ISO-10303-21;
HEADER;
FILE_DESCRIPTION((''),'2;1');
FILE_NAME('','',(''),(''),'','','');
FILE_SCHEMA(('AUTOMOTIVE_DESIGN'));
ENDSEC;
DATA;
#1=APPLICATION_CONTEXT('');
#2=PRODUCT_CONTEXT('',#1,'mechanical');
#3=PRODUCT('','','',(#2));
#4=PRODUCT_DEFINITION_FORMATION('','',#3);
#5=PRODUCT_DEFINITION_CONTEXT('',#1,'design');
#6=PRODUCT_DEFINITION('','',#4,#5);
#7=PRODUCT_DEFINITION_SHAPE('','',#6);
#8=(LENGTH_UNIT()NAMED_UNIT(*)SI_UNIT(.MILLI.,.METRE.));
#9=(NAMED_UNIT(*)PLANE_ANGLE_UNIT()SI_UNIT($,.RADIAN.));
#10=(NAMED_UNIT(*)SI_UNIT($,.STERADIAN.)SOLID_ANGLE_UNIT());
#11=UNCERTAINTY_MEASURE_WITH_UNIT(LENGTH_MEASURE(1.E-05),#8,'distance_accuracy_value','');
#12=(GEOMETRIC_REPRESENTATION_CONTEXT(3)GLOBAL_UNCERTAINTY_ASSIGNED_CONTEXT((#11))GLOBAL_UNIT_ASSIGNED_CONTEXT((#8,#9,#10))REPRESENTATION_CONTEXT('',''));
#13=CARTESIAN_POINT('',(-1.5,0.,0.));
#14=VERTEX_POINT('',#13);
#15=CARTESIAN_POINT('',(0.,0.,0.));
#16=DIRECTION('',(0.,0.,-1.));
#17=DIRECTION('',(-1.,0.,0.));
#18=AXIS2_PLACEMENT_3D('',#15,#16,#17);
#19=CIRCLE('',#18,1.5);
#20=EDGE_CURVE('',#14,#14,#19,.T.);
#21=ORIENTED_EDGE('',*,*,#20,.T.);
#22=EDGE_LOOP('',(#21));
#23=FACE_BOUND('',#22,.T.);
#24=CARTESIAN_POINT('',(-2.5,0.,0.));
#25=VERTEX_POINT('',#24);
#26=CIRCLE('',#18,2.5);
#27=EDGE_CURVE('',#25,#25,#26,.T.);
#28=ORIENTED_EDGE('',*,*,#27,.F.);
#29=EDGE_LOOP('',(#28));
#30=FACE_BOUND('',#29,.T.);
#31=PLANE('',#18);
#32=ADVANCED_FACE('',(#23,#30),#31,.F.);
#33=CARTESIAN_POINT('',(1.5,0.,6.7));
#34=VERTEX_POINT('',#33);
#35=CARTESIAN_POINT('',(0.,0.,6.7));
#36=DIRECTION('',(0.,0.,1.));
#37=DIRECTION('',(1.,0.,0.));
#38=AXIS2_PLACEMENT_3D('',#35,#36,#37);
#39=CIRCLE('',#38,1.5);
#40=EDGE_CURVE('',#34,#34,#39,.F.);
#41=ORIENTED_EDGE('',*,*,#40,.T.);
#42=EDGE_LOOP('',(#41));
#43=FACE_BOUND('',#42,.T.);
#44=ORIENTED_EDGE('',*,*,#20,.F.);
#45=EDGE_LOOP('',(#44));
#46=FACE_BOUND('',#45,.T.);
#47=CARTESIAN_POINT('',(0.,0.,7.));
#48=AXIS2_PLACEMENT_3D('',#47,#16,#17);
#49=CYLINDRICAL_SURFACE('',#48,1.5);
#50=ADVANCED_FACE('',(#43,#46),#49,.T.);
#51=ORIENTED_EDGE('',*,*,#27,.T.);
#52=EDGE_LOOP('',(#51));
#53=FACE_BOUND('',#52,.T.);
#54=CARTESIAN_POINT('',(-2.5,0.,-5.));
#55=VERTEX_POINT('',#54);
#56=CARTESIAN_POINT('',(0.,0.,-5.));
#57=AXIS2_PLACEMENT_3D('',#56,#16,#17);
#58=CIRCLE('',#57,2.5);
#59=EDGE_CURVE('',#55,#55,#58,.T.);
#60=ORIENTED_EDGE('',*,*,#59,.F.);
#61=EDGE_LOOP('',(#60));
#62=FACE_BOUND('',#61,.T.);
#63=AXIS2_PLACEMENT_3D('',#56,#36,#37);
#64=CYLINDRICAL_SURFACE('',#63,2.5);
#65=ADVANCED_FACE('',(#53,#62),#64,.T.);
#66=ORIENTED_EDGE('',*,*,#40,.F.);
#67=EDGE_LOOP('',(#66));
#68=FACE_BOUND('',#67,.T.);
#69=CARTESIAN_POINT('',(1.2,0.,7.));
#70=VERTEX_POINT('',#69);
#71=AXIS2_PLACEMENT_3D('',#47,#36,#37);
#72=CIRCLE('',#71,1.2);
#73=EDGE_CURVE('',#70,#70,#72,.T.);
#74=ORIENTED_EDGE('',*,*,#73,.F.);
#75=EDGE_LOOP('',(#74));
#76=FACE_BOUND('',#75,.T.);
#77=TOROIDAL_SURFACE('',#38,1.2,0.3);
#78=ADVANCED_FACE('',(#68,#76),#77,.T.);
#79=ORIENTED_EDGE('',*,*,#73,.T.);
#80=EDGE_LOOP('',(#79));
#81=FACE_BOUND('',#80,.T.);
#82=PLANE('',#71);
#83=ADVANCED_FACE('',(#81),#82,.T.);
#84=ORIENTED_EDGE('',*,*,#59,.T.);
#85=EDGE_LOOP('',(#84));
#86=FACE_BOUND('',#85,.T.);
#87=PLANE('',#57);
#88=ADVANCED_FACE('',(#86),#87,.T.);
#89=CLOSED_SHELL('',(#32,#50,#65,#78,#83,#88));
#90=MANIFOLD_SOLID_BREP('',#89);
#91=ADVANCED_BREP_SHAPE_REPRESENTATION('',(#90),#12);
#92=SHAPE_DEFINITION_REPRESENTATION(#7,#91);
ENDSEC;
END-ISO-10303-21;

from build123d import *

# Parameters (mm, degrees)
SKETCH1_R           = 1.5
BOSS_EXTRUDE1_DEPTH = 7
SKETCH2_R           = 2.5
BOSS_EXTRUDE2_DEPTH = 5
FILLET2_R           = 0.3


with BuildPart() as part:
    # Sketch1 → Boss-Extrude1 (new body)
    with BuildSketch(Plane.XY):
        Circle(SKETCH1_R)
    extrude(amount=BOSS_EXTRUDE1_DEPTH)

    # Sketch2 → Boss-Extrude2 (add)
    with BuildSketch(Plane(origin=(0, 0, 0), x_dir=(-1, 0, 0), z_dir=(0, 0, -1))):
        Circle(SKETCH2_R)
    extrude(amount=BOSS_EXTRUDE2_DEPTH)

    # Fillet2
    fillet2_edges = [part.edges().sort_by_distance(p)[0] for p in [
        (-1.5, 0, 7),
    ]]
    fillet(fillet2_edges, radius=FILLET2_R)


solid = part.part
